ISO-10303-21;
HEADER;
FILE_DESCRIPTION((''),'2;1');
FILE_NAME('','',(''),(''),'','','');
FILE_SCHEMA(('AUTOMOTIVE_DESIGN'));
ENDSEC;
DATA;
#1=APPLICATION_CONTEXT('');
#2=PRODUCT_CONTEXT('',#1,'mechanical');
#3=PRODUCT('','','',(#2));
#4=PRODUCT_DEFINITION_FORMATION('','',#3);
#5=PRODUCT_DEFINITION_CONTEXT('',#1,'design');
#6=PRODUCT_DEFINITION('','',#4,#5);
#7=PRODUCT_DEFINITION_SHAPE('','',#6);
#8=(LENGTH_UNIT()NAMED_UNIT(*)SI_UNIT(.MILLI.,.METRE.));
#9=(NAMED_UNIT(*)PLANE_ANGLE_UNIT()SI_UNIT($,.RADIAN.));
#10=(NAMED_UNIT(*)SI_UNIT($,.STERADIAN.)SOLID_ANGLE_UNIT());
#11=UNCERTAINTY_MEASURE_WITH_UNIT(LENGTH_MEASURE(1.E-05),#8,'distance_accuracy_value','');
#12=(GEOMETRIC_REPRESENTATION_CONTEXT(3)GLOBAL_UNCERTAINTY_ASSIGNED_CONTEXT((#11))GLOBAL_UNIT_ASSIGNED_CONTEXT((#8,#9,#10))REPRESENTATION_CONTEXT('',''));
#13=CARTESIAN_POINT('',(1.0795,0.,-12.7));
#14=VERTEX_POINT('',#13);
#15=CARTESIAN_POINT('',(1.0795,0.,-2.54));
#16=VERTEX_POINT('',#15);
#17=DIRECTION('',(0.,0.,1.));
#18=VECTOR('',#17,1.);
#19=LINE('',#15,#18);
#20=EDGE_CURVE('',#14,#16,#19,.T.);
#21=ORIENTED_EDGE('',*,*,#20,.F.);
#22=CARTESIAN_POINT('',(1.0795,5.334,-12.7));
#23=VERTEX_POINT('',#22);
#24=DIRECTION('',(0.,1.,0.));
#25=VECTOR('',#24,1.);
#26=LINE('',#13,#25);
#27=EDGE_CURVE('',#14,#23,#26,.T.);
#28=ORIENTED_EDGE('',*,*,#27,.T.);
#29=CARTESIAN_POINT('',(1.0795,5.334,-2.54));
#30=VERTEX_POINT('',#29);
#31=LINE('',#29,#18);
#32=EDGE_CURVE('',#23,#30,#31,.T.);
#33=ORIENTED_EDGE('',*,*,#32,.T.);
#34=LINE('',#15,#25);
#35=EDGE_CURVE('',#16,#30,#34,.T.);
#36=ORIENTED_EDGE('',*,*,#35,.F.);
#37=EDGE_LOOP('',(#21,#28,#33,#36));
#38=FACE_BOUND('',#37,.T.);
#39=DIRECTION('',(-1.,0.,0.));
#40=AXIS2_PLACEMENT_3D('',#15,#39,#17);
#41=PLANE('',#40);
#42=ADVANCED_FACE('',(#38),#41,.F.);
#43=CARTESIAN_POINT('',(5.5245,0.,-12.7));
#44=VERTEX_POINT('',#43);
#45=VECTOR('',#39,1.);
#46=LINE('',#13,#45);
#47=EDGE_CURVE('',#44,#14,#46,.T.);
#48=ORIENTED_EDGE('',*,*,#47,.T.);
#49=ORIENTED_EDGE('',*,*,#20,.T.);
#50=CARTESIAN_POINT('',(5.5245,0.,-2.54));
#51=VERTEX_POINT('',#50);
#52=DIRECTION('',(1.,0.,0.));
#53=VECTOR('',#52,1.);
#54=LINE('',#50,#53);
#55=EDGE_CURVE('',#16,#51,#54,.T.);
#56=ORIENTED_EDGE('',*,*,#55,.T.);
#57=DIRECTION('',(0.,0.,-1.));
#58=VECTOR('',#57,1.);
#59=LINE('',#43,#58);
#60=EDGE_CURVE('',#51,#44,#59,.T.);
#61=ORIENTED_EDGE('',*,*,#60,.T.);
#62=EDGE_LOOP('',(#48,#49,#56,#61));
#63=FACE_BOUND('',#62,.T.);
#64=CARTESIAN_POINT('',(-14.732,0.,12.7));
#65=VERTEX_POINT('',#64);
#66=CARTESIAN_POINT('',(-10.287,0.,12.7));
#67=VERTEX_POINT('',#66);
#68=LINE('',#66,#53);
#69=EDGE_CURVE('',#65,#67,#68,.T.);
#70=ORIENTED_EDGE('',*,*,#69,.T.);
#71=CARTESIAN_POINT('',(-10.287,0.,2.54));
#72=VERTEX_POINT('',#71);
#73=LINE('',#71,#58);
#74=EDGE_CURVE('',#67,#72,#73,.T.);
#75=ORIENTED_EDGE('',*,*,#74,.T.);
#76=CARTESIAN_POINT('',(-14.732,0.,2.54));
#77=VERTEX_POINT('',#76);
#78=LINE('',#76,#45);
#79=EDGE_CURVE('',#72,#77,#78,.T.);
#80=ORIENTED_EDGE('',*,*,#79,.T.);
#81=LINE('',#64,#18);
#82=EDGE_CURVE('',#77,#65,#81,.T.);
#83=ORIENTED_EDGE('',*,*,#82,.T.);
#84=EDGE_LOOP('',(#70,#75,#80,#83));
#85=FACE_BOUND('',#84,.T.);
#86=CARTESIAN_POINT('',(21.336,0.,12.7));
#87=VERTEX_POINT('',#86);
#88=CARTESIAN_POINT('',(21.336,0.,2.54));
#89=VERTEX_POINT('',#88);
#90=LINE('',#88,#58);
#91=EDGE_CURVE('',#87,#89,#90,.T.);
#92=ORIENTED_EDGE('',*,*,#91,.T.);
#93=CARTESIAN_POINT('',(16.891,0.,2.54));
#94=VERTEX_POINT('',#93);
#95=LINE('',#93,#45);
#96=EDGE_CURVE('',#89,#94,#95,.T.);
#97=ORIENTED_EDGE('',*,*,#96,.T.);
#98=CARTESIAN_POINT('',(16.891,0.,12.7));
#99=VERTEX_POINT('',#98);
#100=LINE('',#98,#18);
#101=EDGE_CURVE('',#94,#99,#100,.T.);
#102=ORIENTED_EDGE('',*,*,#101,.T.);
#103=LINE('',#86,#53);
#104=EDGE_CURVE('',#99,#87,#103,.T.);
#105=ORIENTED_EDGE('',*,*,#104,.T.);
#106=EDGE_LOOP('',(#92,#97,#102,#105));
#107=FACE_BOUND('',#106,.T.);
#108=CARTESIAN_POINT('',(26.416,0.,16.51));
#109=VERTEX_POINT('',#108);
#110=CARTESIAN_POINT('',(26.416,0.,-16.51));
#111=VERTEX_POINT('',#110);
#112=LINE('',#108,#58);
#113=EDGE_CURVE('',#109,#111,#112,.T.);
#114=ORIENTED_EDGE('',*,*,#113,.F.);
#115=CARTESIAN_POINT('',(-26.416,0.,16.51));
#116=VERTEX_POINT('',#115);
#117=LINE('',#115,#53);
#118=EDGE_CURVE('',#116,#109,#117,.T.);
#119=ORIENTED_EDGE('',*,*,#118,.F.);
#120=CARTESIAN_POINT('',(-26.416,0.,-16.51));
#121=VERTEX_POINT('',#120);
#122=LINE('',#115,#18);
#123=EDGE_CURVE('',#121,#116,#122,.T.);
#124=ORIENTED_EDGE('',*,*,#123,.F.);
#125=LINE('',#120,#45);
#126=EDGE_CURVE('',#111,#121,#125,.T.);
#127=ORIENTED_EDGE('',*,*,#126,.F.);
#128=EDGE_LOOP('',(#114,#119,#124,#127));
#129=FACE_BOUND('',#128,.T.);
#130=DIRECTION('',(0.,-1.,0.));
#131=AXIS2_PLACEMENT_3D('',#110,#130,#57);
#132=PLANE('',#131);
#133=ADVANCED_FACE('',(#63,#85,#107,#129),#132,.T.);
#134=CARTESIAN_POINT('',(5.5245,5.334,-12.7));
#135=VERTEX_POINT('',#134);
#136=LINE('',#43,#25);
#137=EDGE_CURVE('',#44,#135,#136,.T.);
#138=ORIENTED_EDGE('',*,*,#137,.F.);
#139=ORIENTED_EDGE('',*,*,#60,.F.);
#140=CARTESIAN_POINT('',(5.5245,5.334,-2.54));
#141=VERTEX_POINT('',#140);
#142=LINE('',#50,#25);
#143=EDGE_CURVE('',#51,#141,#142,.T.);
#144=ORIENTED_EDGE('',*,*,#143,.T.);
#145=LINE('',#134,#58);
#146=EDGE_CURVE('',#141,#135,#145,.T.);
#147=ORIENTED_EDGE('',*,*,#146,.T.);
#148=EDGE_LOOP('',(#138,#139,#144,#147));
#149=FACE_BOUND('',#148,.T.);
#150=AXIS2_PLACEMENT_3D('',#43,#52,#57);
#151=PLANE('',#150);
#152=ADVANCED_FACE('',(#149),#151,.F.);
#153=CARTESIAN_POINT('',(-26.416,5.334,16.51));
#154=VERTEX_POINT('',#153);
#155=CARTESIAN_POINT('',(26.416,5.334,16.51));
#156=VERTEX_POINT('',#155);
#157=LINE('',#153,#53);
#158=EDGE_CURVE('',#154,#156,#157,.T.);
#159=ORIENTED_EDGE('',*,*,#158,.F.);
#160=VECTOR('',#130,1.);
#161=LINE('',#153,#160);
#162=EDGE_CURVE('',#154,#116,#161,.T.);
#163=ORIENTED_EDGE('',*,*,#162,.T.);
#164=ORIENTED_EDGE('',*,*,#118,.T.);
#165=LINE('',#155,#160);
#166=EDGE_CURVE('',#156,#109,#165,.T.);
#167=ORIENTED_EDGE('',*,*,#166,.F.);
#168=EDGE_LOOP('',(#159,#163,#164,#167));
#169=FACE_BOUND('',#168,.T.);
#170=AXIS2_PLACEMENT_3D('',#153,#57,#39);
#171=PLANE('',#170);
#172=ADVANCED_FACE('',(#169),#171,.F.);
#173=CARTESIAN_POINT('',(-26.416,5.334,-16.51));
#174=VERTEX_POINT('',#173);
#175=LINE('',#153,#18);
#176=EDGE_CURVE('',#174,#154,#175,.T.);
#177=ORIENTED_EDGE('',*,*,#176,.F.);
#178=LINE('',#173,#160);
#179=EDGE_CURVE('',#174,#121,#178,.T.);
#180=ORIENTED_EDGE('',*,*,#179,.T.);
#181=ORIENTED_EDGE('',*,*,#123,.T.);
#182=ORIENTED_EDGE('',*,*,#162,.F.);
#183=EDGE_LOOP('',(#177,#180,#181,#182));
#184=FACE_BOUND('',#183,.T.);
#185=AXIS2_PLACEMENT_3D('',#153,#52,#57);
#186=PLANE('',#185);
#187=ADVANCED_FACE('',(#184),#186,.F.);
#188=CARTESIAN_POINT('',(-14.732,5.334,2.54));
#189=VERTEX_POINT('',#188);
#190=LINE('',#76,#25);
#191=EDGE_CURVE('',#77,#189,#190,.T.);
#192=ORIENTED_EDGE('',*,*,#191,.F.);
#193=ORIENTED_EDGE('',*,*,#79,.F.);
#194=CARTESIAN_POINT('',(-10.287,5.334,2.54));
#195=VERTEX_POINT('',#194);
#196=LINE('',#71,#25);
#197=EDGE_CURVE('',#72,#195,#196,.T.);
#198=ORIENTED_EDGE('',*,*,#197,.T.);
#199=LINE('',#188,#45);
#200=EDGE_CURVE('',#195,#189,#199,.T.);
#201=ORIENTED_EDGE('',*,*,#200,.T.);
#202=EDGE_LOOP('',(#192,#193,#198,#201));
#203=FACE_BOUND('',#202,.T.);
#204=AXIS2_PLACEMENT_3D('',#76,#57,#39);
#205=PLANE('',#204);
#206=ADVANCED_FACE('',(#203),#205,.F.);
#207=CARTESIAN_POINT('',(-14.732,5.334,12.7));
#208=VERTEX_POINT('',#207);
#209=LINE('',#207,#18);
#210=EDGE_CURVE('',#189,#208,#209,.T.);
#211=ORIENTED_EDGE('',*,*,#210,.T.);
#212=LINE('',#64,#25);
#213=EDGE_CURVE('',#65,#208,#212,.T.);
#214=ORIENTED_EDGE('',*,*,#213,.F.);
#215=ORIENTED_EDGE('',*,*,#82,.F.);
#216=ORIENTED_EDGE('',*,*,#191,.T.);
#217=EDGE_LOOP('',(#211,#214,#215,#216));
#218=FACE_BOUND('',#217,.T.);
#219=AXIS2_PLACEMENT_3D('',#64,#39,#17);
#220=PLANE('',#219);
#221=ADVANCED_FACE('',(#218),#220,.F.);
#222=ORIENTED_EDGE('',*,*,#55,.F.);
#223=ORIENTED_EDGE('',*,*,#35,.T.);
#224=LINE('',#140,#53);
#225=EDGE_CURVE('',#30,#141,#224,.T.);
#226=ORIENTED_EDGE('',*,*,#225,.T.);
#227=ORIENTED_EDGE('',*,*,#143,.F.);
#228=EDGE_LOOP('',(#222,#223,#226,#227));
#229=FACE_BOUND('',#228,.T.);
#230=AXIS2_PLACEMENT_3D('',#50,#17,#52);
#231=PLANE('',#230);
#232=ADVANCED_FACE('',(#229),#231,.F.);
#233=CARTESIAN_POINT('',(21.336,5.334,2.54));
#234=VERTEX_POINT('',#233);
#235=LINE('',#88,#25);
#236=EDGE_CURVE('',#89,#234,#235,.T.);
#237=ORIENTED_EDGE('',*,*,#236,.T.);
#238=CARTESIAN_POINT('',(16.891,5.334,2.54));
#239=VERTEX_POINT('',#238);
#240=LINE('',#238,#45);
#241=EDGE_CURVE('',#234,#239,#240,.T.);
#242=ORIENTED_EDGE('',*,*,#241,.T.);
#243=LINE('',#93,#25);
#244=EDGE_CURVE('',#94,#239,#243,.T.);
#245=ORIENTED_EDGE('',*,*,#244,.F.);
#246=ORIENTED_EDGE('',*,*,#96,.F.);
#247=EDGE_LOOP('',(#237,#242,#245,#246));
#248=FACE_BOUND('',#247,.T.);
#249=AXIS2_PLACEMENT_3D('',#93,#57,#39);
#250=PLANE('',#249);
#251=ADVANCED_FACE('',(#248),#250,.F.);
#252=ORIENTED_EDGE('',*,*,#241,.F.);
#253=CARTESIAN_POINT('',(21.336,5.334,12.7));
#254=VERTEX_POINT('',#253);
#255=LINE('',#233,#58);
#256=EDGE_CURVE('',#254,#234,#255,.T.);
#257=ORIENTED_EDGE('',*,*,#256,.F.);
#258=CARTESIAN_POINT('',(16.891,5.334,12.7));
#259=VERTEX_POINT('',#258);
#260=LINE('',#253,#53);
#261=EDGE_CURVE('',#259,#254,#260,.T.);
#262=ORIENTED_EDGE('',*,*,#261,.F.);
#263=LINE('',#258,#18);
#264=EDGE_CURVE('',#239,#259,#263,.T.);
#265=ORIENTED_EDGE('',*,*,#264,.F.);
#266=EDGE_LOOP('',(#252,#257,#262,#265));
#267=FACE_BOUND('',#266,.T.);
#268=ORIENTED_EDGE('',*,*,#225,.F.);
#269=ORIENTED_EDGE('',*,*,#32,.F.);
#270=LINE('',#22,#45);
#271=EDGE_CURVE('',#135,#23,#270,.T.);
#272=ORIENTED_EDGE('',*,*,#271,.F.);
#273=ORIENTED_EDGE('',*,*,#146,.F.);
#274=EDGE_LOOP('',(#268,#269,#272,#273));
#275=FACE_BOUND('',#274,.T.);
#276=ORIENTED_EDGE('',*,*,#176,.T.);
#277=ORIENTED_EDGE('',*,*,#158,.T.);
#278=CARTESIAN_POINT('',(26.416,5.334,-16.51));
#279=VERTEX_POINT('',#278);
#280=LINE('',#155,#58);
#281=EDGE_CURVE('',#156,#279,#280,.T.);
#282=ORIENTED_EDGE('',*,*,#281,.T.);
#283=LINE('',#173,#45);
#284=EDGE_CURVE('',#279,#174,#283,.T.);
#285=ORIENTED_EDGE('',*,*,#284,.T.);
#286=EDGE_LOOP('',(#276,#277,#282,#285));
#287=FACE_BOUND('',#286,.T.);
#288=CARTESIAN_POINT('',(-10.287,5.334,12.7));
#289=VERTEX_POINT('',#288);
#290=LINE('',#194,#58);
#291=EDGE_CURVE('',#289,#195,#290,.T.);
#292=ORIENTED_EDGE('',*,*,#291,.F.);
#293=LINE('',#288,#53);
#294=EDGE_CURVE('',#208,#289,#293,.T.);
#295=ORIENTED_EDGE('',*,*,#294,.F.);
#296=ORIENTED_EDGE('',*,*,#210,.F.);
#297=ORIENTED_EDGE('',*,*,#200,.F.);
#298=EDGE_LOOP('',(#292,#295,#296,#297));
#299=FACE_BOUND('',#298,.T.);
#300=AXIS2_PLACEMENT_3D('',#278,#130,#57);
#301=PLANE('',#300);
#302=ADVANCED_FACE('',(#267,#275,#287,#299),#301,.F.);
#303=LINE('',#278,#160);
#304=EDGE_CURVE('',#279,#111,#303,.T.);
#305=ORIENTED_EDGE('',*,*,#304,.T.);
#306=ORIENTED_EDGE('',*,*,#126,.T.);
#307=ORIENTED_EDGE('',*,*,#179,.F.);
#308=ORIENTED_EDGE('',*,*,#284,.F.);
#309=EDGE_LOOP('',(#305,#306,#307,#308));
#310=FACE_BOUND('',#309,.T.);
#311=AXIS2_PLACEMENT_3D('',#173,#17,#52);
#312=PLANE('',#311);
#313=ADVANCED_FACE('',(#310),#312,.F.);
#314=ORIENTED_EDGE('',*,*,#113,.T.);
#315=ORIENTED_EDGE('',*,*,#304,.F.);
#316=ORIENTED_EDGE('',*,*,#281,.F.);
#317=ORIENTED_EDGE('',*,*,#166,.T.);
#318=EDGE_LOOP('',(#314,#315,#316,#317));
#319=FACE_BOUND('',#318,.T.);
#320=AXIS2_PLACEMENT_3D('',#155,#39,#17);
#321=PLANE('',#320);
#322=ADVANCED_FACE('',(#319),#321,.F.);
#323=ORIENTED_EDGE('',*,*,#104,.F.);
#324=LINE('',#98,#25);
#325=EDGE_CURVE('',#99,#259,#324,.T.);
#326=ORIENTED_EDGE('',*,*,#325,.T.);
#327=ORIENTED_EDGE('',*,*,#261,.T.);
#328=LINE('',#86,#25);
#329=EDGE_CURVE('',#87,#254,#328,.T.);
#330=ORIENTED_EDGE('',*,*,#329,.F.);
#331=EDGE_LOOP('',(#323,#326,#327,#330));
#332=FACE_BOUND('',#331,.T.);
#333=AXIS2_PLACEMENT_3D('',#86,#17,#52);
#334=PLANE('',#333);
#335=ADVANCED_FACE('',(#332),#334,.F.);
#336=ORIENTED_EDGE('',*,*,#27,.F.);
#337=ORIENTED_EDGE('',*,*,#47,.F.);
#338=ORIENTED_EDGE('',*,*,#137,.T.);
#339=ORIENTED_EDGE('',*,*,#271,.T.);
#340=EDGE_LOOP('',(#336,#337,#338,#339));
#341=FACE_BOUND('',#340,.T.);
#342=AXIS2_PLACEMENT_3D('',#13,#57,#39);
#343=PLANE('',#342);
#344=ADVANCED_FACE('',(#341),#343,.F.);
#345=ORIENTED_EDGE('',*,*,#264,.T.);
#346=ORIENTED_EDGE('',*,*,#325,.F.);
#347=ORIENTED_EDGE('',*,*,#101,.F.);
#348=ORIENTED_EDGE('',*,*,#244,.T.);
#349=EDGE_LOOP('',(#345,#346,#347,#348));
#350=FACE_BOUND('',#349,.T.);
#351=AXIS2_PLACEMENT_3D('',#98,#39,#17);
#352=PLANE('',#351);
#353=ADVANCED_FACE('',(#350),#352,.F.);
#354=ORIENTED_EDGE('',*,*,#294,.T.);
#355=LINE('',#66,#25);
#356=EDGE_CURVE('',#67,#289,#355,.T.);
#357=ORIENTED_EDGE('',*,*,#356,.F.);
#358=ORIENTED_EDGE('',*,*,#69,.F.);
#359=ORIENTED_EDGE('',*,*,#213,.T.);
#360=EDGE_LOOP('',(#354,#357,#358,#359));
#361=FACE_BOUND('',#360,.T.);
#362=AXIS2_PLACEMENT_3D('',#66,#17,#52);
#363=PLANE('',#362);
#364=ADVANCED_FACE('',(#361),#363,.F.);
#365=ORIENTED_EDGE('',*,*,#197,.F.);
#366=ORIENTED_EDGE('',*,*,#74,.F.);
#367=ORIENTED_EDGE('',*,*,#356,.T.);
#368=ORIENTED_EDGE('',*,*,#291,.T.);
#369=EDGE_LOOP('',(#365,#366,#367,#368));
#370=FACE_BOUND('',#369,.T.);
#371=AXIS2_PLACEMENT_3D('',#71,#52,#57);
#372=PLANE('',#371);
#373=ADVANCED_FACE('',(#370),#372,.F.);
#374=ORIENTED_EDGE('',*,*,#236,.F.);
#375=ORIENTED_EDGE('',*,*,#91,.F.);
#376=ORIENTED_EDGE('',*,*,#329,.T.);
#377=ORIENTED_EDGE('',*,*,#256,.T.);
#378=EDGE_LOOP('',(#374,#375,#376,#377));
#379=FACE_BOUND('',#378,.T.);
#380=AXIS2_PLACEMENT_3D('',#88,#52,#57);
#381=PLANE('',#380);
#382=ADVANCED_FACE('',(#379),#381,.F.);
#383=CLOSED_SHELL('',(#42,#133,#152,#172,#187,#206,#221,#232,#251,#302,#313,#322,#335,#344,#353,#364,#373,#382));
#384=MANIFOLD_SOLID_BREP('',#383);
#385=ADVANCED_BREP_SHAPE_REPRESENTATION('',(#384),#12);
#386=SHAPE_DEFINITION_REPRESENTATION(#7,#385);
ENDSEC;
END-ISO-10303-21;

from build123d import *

# Parameters (mm, degrees)
SKETCH1_W           = 52.832
SKETCH1_H           = 33.02
BOSS_EXTRUDE1_DEPTH = 5.334
SKETCH2_W           = 4.445
SKETCH2_H           = 10.16
CUT_EXTRUDE1_DEPTH  = 6.334


with BuildPart() as part:
    # Sketch1 → Boss-Extrude1 (new body)
    with BuildSketch(Plane(origin=(0, 0, 0), x_dir=(1, 0, 0), z_dir=(0, 1, 0))):
        Rectangle(SKETCH1_W, SKETCH1_H)
    extrude(amount=BOSS_EXTRUDE1_DEPTH)

    # Sketch2 → Cut-Extrude1 (cut, through all)
    with BuildSketch(Plane(origin=(0, 5.334, 0), x_dir=(1, 0, 0), z_dir=(0, 1, 0))):
        with Locations((19.1135, -7.62)):
            Rectangle(SKETCH2_W, SKETCH2_H)
        with Locations((3.302, 7.62)):
            Rectangle(SKETCH2_W, SKETCH2_H)
        with Locations((-12.5095, -7.62)):
            Rectangle(SKETCH2_W, SKETCH2_H)
    extrude(amount=-CUT_EXTRUDE1_DEPTH, mode=Mode.SUBTRACT)


solid = part.part
